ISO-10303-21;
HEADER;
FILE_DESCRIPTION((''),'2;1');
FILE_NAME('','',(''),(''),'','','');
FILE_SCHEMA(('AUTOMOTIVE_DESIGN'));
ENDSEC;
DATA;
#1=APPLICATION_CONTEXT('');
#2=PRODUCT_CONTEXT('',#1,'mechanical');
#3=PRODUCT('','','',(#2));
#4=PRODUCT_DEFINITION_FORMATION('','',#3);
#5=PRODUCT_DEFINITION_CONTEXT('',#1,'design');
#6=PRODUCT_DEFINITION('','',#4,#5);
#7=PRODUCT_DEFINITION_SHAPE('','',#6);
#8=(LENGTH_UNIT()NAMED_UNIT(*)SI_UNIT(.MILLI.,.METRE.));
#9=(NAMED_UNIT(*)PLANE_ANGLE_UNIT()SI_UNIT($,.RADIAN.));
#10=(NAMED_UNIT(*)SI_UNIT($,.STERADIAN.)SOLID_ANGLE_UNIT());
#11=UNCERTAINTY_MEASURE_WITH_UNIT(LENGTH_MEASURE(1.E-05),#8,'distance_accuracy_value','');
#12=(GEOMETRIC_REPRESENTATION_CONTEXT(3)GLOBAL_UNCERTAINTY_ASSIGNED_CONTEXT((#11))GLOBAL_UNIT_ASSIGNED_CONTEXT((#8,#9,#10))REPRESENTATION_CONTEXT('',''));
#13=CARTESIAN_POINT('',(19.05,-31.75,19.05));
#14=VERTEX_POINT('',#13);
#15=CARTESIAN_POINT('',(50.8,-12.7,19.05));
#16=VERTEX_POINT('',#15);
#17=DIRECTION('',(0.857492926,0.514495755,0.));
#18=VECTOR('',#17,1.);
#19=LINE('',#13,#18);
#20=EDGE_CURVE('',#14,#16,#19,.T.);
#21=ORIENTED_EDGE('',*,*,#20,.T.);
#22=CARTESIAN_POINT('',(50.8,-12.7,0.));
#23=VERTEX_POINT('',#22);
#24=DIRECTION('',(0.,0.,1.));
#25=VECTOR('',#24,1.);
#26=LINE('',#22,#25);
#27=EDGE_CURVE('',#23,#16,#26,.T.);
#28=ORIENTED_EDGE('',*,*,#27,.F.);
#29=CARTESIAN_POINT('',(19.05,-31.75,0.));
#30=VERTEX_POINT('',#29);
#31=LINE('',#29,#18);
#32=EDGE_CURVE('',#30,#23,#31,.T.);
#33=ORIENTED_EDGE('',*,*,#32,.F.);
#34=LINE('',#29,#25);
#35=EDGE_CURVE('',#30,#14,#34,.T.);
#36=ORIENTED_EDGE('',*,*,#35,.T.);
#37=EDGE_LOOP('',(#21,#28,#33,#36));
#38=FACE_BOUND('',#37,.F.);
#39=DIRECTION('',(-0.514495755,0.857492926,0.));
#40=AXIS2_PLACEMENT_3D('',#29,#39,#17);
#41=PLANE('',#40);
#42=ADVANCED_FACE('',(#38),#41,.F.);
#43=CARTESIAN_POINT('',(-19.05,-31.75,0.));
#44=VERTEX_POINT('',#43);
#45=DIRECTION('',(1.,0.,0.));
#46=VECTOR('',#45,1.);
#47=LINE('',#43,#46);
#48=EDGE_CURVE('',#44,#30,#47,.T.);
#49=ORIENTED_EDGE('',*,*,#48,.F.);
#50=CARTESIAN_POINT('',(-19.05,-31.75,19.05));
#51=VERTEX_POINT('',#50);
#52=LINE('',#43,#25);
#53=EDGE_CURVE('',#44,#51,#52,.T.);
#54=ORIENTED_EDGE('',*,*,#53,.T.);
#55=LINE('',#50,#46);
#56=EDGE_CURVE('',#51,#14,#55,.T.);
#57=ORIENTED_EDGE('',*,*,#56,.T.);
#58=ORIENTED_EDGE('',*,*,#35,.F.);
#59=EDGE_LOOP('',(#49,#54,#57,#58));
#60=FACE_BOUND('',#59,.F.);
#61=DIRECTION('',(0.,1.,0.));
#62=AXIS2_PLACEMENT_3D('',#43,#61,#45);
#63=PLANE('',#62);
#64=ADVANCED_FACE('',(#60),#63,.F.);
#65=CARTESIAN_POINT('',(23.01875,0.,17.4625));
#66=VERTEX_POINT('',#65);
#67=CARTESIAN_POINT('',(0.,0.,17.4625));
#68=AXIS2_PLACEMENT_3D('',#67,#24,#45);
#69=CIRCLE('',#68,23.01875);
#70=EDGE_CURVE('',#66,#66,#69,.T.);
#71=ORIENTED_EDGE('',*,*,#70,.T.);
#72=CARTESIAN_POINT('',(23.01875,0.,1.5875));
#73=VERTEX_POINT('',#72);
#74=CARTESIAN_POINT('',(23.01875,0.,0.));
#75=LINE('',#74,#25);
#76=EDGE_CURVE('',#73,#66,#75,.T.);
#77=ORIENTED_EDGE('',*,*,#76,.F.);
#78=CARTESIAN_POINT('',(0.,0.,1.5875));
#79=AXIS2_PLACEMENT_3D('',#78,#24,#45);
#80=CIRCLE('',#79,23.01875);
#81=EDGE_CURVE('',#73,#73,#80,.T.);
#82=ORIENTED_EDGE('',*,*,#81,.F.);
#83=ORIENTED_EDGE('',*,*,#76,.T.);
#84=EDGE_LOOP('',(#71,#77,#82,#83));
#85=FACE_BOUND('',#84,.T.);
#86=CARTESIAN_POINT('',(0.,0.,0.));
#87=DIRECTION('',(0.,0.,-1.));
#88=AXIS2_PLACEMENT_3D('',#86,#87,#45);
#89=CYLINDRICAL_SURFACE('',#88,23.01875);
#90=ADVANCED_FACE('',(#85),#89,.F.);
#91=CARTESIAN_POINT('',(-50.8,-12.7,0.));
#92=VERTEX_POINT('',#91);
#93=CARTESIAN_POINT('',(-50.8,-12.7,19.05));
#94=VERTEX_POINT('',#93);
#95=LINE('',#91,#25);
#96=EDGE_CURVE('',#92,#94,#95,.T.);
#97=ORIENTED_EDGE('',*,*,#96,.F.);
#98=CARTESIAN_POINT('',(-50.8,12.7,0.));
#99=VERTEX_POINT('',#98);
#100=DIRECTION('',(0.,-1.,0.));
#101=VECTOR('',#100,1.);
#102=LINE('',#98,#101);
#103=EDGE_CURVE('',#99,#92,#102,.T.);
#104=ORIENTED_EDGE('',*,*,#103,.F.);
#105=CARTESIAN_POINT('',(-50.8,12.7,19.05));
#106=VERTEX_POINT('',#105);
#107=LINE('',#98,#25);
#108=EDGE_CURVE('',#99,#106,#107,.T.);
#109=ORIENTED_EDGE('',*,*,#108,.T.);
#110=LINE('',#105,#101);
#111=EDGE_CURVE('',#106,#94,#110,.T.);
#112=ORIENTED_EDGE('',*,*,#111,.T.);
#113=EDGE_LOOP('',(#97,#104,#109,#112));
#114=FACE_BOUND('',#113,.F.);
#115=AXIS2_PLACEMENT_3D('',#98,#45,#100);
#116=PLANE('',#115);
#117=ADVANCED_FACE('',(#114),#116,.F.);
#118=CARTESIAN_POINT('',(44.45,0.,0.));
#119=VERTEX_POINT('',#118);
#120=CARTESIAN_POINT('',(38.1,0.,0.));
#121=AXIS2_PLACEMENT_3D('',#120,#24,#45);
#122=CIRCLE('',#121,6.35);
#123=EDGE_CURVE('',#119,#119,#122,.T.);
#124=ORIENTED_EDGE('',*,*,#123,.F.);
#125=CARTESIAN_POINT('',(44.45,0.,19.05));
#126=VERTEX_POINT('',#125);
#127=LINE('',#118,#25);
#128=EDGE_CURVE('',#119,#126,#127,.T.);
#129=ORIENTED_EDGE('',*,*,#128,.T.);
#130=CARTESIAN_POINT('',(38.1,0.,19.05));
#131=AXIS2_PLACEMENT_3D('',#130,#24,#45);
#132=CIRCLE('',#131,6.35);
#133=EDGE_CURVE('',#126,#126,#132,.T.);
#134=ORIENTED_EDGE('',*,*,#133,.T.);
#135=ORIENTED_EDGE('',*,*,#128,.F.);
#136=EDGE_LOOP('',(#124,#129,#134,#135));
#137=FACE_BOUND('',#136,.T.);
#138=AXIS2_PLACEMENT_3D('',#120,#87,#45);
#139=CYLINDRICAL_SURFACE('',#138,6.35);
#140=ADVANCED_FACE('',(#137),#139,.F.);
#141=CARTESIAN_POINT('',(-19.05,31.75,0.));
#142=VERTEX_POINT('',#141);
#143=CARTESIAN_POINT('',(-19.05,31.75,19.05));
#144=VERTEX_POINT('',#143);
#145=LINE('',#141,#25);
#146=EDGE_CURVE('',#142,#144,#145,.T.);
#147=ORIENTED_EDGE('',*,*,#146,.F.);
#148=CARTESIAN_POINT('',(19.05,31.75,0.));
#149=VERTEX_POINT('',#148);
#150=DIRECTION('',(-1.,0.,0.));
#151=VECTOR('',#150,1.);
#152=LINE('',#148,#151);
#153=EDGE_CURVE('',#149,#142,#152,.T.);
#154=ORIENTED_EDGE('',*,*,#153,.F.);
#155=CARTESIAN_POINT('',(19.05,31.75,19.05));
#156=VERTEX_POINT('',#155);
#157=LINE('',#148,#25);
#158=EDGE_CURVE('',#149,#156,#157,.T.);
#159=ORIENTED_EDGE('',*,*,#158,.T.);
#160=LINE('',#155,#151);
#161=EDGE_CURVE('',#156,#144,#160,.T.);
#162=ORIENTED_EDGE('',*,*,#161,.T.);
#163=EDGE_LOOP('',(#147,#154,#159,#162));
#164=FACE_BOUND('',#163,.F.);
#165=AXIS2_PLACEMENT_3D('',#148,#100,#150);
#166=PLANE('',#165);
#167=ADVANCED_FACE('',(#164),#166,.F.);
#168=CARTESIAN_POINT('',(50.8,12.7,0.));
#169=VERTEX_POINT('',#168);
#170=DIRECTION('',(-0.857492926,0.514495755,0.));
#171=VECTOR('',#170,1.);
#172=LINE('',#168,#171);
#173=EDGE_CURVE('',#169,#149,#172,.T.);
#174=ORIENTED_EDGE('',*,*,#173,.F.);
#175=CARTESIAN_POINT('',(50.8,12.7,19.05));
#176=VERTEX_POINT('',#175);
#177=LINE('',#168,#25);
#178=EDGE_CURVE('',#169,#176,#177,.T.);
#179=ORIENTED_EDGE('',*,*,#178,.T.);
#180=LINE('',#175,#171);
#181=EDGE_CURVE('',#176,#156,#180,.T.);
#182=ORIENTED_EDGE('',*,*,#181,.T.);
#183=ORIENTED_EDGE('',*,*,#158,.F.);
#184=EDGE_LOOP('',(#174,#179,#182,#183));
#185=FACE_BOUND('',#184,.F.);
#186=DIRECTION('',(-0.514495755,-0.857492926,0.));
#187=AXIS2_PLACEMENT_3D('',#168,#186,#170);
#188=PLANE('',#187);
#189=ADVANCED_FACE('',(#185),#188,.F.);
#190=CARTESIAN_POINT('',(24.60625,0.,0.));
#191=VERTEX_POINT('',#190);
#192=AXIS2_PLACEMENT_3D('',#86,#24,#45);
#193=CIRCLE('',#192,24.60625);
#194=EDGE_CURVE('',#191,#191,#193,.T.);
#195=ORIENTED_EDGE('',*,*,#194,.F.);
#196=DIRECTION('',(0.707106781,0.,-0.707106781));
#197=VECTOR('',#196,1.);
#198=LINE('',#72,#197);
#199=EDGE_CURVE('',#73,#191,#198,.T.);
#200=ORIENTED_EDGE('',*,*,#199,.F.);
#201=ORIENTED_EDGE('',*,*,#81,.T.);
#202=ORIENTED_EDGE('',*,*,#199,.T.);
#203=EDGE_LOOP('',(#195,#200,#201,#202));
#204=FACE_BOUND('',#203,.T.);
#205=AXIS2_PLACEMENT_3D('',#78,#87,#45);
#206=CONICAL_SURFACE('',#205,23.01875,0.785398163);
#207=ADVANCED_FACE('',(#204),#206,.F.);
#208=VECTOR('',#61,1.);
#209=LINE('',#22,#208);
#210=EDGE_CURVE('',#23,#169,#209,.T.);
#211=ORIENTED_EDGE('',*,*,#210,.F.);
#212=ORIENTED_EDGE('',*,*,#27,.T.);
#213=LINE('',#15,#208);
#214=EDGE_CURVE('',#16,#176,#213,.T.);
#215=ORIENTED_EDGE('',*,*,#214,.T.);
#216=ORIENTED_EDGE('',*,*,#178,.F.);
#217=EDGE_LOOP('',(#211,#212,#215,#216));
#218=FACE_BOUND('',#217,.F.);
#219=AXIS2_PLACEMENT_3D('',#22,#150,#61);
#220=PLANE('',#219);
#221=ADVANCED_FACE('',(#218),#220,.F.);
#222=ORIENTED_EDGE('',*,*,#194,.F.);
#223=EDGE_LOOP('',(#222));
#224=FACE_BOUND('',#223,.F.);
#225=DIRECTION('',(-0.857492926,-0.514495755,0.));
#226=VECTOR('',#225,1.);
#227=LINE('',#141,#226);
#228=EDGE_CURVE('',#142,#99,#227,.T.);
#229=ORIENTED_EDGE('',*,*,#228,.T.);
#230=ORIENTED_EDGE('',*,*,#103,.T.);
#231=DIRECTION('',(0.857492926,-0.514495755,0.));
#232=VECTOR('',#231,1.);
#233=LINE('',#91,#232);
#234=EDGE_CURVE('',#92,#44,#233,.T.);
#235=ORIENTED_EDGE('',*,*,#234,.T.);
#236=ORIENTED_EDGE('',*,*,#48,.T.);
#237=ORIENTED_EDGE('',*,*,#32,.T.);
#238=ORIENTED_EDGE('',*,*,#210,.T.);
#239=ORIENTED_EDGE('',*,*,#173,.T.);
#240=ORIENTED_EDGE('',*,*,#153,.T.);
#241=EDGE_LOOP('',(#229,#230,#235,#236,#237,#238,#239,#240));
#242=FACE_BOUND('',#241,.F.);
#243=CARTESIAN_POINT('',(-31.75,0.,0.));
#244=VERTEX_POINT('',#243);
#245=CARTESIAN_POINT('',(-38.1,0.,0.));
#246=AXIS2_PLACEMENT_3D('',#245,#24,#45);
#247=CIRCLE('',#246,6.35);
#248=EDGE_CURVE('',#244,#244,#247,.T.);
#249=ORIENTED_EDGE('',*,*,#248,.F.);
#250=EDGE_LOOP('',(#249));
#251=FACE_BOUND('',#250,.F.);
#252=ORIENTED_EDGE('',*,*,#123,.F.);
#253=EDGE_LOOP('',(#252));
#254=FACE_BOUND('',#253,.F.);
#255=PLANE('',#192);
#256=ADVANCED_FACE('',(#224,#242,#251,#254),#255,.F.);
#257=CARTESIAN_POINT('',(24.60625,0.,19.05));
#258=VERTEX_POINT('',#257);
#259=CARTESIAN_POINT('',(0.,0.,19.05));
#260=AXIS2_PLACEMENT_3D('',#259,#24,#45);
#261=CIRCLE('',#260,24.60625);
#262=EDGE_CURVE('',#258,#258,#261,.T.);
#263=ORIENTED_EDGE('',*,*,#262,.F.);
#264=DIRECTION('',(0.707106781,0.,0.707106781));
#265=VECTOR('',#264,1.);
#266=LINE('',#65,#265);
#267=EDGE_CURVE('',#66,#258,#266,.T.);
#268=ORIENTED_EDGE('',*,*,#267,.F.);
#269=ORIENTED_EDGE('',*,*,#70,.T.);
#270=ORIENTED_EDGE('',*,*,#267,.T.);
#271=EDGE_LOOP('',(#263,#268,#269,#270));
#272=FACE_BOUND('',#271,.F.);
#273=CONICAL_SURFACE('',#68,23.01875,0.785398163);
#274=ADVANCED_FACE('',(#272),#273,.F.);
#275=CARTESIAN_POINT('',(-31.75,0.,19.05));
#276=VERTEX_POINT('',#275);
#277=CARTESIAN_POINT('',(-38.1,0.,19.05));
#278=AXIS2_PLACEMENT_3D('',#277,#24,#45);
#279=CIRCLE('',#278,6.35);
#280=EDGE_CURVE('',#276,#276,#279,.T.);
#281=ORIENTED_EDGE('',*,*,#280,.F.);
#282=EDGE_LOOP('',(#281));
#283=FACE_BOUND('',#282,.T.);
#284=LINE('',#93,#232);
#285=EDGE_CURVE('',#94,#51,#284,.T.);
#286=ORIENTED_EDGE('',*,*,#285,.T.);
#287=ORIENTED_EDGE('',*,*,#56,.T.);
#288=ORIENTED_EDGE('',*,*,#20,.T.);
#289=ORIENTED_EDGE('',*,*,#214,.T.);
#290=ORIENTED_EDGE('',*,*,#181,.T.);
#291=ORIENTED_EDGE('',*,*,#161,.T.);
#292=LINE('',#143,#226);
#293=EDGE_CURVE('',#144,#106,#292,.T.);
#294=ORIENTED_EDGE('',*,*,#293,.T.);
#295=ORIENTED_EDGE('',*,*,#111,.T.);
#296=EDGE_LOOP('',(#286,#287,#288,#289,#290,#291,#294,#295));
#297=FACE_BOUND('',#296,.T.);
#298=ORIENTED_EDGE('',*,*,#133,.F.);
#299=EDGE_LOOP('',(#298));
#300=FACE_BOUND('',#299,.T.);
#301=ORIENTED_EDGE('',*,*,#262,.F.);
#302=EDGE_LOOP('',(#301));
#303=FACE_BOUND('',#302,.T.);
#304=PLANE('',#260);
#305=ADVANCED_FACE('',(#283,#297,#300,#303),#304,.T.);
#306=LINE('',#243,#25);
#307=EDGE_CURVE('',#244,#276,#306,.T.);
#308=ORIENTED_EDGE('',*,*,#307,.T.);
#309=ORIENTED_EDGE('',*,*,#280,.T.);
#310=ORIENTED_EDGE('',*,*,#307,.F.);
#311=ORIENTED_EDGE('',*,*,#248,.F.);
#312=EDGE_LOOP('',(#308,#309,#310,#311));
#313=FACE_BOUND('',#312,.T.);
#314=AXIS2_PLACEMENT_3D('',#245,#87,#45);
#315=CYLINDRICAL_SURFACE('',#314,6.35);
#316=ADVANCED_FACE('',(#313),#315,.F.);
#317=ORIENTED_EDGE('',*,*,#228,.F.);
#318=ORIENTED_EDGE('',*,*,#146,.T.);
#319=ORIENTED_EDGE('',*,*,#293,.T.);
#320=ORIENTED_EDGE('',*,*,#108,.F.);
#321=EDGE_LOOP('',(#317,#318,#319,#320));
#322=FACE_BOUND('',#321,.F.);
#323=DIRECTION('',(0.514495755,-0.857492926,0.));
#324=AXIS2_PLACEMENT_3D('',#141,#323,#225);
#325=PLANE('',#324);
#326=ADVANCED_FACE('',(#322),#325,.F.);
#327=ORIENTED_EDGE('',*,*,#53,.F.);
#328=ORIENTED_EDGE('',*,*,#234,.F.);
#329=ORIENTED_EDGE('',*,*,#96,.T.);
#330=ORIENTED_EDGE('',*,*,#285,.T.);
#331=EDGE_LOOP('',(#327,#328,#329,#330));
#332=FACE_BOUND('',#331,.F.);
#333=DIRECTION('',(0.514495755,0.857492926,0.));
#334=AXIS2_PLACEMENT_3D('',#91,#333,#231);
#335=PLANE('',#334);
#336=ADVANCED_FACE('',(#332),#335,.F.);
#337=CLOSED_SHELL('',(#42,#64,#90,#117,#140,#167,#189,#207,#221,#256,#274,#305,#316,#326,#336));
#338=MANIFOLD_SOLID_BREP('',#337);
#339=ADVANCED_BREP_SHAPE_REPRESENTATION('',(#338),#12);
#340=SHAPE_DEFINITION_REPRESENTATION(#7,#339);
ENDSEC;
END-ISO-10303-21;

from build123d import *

# Parameters (mm, degrees)
F0_R     = 6.35
F0_R_2   = 23.01875
F1_DEPTH = 19.05
F2_SIZE  = 1.5875


with BuildPart() as f1:
    # F0 (on Top) → F1 (new body)
    with BuildSketch(Plane.XY):
        Polygon((-19.05, -31.75), (19.05, -31.75), (50.8, -12.7), (50.8, 12.7), (19.05, 31.75), (-19.05, 31.75), (-50.8, 12.7), (-50.8, -12.7), align=None)
        with Locations((-38.1, 0)):
            Circle(F0_R, mode=Mode.SUBTRACT)
        Circle(F0_R_2, mode=Mode.SUBTRACT)
        with Locations((38.1, 0)):
            Circle(F0_R, mode=Mode.SUBTRACT)
    extrude(amount=F1_DEPTH)

    # F2
    f2_edges = [f1.edges().sort_by_distance(p)[0] for p in [
        (-23.01875, 0, 0),
        (-23.01875, 0, 19.05),
    ]]
    chamfer(f2_edges, length=F2_SIZE)


solid = f1.part
